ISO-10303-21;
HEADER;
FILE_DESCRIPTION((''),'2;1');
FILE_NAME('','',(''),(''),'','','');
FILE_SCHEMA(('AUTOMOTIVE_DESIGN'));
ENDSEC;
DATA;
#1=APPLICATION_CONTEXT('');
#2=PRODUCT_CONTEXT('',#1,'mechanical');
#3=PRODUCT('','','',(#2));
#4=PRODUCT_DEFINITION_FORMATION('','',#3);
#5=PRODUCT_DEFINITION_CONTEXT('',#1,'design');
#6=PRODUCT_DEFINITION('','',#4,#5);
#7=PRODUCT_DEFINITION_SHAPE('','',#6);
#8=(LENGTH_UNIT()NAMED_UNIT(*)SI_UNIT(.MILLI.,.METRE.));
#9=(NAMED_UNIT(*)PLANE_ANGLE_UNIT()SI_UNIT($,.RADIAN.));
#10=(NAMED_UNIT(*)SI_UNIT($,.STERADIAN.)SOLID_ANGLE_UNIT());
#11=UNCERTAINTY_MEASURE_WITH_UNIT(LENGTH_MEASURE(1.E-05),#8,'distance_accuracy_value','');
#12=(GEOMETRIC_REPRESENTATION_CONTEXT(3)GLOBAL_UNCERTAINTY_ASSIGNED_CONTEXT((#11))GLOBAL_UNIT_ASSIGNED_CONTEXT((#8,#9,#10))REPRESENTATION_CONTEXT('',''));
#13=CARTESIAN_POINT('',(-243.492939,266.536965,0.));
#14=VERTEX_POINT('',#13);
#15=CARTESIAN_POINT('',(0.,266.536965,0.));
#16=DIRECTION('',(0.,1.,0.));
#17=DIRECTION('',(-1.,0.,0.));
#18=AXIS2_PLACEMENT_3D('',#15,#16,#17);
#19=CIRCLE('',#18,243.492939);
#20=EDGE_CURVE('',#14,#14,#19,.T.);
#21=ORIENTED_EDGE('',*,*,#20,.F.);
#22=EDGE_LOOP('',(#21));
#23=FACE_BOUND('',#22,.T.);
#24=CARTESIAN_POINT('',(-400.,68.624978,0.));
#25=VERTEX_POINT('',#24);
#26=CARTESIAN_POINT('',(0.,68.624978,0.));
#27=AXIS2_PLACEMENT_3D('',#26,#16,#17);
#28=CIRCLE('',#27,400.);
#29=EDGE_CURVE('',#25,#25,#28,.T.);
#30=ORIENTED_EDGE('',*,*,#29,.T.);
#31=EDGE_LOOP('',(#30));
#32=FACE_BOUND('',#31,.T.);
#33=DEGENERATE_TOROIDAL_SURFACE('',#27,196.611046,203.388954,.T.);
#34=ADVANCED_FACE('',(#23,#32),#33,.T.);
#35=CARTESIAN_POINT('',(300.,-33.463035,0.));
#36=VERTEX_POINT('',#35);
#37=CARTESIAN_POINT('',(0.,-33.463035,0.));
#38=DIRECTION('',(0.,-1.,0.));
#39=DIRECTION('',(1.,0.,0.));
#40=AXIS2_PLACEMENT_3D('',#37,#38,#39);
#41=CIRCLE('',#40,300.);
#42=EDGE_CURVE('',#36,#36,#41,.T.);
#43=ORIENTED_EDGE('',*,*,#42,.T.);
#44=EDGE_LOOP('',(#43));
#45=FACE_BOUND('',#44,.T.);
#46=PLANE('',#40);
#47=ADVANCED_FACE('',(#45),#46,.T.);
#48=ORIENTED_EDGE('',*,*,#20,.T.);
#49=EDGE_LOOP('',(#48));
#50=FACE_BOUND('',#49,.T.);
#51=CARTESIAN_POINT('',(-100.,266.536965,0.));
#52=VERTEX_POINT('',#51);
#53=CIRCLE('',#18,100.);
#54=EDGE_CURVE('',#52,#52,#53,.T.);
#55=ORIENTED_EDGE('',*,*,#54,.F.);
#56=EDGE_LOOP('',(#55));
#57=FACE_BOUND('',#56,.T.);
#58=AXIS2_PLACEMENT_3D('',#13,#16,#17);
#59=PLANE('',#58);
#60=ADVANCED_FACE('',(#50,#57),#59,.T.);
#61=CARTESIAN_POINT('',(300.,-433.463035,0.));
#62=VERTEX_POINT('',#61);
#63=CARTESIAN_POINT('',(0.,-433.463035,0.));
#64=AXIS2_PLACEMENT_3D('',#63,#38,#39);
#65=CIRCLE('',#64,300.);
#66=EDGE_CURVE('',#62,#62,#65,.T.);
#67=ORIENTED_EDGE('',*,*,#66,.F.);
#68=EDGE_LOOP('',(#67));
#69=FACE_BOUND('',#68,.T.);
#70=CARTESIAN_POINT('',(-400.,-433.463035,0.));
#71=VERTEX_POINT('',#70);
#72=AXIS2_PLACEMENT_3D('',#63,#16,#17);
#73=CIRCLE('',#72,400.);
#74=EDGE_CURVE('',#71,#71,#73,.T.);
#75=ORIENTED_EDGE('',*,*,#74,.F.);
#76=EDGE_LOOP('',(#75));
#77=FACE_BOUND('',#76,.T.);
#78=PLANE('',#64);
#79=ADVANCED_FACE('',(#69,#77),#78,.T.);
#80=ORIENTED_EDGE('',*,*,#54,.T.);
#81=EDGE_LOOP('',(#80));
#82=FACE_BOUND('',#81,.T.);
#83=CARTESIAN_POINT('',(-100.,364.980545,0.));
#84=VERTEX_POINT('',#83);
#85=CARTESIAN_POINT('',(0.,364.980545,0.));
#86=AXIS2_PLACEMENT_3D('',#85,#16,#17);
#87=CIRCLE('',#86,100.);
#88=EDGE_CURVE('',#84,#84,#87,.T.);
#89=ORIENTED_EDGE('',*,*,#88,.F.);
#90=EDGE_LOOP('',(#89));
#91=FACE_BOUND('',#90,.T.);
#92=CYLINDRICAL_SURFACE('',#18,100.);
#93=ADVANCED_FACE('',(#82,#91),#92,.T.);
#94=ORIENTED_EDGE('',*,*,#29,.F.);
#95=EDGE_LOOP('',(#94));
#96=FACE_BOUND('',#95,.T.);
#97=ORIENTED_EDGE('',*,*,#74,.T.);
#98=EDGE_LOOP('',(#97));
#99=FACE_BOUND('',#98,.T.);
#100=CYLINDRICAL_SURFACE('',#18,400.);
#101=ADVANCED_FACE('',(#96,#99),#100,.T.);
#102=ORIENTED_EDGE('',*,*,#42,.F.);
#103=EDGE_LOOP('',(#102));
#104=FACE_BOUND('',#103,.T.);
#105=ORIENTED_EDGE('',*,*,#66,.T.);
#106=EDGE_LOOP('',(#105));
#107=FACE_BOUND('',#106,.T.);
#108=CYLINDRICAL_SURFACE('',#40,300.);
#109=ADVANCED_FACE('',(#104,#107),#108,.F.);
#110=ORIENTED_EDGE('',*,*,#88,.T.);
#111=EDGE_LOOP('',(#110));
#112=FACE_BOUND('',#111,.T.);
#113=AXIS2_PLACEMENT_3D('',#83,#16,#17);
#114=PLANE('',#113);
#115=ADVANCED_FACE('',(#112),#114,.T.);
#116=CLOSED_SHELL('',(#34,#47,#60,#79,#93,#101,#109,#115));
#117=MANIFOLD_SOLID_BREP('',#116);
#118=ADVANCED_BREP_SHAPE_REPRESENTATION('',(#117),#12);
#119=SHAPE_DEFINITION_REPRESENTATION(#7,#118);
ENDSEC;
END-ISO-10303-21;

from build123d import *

# Parameters (mm, degrees)
SKETCH3_R          = 300
CUT_EXTRUDE1_DEPTH = 400


with BuildPart() as part:
    # Sketch1 → Revolve2 (revolve)
    with BuildSketch(Plane.XY):
        with BuildLine():
            Line((0, 266.536964981), (0, -433.463035019))
            Line((0, -433.463035019), (-400, -433.463035019))
            Line((-400, -433.463035019), (-400, 68.62497771))
            ThreePointArc((-400, 68.62497771), (-356.145251984, 194.783226442), (-243.492938859, 266.536964981))
            Line((-243.492938859, 266.536964981), (-100, 266.536964981))
            Line((-100, 266.536964981), (-100, 364.980544747))
            Line((-100, 364.980544747), (0, 364.980544747))
            Line((0, 364.980544747), (0, 266.536964981))
        make_face()
    revolve(axis=Axis((0, 266.536964981, 0), (0, -1, 0)))

    # Sketch3 → Cut-Extrude1 (cut)
    with BuildSketch(Plane.XZ.offset(433.463035019)):
        Circle(SKETCH3_R)
    extrude(amount=-CUT_EXTRUDE1_DEPTH, mode=Mode.SUBTRACT)


solid = part.part
